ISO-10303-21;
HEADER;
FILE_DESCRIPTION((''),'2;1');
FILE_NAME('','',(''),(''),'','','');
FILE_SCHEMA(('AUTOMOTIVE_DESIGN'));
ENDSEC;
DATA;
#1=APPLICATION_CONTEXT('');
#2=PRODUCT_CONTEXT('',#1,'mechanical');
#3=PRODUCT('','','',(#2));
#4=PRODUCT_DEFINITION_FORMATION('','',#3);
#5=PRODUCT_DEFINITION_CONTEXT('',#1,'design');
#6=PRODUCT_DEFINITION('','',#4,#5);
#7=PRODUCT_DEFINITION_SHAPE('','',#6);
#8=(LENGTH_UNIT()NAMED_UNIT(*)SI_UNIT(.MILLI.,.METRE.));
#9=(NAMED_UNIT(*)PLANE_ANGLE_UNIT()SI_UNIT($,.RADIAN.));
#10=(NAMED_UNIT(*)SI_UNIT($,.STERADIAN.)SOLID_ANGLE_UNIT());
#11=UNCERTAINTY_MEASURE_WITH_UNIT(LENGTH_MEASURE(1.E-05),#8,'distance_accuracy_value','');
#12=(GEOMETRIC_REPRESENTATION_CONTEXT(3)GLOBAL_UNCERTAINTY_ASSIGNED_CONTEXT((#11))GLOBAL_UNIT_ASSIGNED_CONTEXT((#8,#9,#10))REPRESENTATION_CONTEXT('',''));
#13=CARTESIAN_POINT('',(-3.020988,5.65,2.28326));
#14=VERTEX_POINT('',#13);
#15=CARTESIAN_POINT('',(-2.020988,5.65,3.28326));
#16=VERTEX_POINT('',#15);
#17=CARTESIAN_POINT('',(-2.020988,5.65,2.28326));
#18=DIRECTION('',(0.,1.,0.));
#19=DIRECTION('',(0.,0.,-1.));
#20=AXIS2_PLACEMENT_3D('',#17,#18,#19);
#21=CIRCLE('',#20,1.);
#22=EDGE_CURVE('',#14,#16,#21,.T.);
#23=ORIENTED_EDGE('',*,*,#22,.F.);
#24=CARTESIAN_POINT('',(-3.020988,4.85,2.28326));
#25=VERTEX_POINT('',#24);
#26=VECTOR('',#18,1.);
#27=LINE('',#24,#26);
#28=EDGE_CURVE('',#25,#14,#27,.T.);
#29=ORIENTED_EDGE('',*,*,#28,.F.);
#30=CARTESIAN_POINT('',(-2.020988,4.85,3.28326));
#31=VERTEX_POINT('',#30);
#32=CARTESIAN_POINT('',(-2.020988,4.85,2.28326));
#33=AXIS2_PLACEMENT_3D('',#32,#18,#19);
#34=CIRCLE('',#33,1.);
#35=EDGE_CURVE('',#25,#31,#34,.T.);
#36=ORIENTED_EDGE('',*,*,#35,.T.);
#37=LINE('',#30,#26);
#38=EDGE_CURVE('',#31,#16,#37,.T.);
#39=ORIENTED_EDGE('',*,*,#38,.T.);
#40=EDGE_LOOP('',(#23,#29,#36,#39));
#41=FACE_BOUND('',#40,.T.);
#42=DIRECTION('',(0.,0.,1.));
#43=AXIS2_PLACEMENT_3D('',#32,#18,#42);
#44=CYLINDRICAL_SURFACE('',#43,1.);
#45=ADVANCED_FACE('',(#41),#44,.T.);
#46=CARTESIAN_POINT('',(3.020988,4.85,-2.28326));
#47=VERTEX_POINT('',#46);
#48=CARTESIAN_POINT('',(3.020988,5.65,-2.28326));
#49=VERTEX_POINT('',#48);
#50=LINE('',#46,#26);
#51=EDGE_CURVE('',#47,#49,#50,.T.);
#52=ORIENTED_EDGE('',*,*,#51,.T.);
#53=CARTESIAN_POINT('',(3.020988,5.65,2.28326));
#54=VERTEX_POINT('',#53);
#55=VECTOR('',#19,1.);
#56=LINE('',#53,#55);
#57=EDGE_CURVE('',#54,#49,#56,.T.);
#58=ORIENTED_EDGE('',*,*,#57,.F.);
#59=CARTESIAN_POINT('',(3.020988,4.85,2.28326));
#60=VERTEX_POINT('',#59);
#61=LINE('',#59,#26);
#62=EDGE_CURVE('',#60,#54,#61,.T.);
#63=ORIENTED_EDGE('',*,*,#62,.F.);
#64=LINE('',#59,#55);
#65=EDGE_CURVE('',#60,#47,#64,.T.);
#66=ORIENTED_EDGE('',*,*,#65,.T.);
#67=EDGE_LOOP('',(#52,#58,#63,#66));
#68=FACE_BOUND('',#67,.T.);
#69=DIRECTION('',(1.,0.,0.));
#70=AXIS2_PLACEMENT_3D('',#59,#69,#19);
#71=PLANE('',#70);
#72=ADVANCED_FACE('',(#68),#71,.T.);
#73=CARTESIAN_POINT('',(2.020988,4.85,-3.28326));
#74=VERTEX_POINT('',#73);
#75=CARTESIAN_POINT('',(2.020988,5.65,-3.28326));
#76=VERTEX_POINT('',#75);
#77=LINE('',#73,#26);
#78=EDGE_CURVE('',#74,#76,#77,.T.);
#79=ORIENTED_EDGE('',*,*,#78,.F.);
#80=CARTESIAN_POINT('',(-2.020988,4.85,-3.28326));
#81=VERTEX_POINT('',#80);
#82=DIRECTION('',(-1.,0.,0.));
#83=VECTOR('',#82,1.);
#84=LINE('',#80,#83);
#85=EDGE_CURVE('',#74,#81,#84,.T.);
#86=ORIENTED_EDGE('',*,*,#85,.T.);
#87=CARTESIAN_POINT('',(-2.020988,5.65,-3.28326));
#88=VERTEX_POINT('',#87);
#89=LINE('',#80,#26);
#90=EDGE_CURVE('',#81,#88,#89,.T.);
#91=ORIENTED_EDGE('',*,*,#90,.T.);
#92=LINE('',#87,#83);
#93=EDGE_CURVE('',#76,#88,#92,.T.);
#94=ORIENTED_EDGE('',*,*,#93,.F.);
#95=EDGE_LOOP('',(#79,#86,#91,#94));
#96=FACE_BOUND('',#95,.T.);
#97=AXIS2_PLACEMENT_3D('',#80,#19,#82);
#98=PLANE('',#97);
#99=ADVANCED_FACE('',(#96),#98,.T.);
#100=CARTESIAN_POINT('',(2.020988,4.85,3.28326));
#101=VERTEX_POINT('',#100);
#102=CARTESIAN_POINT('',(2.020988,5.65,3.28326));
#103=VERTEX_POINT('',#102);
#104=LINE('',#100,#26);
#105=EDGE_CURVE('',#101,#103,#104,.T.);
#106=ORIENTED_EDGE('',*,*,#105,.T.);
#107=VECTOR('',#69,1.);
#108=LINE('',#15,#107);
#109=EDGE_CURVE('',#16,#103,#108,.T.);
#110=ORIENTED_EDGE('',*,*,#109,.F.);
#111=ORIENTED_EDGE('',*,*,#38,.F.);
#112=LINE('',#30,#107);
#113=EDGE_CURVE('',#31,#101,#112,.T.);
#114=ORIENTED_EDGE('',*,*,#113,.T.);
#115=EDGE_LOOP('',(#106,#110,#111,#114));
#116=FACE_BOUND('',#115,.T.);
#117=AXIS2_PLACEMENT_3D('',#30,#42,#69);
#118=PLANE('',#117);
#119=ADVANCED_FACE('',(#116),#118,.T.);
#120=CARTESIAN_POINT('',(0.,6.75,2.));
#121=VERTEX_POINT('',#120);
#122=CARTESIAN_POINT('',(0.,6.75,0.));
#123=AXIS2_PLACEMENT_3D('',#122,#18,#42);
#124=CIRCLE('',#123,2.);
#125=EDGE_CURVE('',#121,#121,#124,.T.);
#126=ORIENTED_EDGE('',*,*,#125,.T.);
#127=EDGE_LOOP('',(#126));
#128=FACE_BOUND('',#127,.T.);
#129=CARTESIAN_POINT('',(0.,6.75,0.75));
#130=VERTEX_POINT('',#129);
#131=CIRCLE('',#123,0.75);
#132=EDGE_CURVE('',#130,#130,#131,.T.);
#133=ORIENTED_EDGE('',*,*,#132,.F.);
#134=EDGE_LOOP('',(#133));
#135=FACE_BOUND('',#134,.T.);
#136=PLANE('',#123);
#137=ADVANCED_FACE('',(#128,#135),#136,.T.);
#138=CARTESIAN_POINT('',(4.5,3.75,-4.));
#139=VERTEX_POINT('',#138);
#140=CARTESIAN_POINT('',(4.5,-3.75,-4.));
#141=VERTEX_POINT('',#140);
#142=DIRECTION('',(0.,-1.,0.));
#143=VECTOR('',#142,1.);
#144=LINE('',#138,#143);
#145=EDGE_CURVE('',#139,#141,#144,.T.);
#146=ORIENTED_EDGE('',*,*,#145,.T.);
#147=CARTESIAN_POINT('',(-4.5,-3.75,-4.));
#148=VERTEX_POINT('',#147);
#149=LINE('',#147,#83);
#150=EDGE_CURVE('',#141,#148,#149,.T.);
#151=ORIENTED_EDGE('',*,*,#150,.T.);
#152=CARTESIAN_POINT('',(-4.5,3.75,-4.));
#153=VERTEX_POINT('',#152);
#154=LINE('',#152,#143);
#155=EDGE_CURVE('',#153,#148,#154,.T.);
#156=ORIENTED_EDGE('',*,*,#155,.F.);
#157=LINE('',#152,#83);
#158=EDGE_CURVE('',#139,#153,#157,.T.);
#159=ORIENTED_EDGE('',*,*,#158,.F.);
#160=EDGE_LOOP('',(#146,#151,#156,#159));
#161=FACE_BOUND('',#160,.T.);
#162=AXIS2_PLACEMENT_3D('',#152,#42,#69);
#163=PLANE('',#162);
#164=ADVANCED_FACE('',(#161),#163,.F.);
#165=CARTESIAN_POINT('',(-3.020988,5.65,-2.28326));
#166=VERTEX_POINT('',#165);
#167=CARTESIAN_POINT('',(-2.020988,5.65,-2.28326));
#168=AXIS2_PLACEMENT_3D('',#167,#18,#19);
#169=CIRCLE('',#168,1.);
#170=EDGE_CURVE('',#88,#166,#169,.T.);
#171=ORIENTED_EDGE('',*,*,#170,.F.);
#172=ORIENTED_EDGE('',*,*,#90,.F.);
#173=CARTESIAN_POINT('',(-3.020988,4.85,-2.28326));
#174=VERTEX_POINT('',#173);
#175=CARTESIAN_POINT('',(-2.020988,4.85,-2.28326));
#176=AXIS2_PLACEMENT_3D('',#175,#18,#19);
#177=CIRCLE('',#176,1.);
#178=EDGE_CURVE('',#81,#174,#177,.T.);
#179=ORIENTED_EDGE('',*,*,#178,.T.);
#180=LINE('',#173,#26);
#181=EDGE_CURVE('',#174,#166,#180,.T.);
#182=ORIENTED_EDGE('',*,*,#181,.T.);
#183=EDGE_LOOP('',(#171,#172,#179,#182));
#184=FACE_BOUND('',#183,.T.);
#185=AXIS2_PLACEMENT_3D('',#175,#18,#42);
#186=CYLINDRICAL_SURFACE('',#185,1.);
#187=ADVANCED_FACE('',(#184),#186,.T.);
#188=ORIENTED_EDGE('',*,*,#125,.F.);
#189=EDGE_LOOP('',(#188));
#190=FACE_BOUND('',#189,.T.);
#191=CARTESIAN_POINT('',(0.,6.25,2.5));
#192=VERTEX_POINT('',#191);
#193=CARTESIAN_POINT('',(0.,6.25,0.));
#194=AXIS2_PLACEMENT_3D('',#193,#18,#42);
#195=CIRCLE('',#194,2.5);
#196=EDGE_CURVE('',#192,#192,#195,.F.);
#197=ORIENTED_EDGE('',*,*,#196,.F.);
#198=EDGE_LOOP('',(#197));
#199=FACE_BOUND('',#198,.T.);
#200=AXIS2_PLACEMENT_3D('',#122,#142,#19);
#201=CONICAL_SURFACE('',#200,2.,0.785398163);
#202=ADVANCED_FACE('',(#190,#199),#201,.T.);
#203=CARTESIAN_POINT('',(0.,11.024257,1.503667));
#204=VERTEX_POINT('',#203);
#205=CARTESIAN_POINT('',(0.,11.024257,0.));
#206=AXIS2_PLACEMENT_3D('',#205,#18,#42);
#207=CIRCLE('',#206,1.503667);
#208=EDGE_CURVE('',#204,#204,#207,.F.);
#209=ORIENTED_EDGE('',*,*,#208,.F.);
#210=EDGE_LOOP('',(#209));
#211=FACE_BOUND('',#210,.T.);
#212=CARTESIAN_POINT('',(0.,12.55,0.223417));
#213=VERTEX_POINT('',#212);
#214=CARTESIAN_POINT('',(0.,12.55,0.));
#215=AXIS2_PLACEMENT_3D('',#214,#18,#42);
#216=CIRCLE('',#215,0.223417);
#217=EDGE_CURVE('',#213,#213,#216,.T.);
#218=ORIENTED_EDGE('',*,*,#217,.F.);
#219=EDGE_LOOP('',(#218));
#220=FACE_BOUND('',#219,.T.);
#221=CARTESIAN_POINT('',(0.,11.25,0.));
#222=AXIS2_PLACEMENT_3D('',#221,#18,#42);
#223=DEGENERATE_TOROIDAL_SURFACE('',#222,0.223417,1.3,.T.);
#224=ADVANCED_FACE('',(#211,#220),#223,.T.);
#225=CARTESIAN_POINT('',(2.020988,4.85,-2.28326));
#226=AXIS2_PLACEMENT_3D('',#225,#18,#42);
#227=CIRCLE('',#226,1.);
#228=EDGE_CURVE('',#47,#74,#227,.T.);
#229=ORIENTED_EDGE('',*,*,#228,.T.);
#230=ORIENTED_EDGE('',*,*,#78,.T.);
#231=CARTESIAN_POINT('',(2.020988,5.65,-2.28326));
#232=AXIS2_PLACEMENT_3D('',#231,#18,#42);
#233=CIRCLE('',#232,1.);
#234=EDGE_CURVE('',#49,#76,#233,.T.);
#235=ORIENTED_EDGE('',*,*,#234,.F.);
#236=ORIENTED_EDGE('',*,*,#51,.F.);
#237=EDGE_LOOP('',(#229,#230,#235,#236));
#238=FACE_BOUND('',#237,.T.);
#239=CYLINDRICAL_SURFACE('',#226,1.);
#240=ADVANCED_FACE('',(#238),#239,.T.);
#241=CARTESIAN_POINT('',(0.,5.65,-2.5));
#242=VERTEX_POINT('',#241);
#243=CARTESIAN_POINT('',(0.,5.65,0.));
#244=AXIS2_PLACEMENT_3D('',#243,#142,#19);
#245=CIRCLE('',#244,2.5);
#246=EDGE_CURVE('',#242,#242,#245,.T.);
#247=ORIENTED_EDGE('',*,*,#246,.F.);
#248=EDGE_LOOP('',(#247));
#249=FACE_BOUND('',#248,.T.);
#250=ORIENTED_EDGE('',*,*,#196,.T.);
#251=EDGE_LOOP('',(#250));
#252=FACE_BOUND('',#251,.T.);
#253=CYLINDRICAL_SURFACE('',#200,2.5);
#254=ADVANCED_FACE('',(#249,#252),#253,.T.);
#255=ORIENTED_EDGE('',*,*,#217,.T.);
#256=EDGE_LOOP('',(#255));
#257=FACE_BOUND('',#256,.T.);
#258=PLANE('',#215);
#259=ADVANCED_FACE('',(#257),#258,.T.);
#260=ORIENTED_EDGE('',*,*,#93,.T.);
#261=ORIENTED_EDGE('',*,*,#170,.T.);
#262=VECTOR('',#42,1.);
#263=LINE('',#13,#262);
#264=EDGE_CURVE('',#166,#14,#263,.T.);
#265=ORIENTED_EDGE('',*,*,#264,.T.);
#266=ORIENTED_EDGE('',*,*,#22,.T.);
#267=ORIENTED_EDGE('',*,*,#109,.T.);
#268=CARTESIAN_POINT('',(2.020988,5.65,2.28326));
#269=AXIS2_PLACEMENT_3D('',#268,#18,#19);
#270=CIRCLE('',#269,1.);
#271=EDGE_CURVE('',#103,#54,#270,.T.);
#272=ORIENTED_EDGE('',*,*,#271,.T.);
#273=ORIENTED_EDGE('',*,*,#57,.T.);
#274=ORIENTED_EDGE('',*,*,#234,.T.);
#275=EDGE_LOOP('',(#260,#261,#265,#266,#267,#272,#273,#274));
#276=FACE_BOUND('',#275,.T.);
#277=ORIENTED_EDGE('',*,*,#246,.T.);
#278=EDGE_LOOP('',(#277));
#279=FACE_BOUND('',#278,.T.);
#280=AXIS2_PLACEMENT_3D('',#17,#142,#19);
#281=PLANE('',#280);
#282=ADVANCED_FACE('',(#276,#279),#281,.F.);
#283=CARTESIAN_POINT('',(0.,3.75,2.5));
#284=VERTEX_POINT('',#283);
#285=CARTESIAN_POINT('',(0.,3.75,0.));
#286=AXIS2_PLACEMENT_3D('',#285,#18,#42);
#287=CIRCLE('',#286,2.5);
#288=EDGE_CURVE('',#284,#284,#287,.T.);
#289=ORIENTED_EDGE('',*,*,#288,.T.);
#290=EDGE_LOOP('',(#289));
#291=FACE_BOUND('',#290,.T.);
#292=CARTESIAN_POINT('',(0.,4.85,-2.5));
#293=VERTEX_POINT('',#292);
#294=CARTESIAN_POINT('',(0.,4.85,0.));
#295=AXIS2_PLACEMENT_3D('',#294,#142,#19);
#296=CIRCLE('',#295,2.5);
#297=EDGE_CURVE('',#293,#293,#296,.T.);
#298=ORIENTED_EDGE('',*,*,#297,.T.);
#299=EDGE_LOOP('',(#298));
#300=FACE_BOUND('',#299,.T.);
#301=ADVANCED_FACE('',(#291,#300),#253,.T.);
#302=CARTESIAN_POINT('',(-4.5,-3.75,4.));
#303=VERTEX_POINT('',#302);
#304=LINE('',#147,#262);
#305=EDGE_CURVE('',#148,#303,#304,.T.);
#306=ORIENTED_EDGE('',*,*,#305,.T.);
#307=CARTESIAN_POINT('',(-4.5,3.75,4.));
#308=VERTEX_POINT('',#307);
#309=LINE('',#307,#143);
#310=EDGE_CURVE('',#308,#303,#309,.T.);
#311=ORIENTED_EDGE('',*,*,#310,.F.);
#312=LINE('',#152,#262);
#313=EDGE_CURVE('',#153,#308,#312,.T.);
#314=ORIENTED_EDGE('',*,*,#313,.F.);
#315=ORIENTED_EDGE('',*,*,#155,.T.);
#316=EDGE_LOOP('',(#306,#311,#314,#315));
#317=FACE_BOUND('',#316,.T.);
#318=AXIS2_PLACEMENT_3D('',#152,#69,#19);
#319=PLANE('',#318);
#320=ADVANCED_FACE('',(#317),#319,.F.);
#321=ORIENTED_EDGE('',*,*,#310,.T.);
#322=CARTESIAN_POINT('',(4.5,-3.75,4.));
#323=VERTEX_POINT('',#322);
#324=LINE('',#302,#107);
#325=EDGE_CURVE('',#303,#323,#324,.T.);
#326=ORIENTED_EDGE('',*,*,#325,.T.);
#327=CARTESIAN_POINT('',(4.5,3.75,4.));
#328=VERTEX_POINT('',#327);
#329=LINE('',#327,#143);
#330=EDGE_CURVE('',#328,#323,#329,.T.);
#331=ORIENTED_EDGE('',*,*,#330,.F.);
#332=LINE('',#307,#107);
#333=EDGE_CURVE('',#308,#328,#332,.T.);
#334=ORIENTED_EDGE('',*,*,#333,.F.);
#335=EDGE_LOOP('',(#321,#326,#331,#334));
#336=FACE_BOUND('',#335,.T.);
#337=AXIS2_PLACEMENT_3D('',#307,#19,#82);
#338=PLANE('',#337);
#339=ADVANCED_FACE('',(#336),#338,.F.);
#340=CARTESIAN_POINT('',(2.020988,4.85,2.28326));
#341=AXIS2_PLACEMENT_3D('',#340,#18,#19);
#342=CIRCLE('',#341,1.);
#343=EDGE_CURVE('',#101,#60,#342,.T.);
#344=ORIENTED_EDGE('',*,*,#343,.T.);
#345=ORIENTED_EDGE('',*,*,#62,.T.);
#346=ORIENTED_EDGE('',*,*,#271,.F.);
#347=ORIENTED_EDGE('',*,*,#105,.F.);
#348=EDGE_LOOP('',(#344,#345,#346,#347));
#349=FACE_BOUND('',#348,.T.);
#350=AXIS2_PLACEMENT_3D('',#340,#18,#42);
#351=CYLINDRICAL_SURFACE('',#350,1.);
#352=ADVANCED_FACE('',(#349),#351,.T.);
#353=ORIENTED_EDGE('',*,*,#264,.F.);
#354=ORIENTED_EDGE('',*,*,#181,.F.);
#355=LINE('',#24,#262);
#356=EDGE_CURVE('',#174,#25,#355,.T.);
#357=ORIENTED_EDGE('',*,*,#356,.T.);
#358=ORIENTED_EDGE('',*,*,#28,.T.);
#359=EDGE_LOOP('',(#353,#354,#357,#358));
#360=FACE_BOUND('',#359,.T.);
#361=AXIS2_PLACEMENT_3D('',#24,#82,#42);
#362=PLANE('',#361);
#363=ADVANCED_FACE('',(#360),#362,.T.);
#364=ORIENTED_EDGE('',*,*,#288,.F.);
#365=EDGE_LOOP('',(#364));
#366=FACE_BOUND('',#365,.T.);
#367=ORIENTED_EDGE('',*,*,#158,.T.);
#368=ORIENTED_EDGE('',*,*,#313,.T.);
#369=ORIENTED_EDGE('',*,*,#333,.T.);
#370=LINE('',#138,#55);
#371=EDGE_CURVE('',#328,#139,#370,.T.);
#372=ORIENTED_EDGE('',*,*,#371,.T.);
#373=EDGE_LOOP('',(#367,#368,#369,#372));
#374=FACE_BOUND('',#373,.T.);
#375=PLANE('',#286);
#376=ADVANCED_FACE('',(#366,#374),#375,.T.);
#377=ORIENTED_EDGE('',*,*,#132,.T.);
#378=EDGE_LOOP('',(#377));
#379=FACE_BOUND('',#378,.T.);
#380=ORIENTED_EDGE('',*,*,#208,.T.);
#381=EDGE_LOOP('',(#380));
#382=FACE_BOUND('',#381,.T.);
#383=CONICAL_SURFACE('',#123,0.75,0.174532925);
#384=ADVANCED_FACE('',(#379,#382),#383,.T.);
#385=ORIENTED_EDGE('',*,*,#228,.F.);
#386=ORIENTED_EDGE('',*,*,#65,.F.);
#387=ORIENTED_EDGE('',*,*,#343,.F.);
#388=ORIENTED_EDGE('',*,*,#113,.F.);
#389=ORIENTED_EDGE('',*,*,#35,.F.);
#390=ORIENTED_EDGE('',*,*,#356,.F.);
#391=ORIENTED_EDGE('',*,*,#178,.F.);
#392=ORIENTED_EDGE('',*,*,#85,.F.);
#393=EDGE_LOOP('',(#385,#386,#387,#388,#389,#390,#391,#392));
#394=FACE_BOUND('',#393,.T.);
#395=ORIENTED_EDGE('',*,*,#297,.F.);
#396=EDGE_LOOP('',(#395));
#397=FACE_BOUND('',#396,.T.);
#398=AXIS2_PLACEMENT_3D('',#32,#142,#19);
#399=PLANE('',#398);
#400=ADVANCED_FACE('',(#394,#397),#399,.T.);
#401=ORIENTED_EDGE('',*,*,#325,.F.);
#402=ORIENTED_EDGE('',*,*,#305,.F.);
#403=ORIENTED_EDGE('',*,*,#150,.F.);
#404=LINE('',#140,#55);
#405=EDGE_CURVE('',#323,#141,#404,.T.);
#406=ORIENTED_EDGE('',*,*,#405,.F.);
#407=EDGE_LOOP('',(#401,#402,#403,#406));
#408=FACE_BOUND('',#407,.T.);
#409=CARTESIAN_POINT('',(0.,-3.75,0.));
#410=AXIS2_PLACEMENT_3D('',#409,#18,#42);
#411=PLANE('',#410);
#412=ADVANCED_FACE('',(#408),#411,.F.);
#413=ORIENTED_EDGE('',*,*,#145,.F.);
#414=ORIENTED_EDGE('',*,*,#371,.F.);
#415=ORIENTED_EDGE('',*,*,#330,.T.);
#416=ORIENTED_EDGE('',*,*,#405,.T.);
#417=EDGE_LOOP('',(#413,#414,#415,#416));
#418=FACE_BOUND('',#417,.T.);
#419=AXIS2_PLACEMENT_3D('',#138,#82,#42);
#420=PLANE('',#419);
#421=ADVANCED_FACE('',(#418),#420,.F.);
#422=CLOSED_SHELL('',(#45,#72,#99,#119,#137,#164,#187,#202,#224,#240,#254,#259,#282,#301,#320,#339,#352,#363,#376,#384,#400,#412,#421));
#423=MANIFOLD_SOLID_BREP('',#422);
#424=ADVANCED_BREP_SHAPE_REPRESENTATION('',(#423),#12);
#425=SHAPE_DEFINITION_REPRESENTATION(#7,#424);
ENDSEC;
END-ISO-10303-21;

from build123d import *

# Parameters (mm, degrees)
SKETCH_1_W      = 9
SKETCH_1_H      = 8
EXTRUDE_1_DEPTH = 3.75
SKETCH_2_R      = 2.5
EXTRUDE_2_DEPTH = 3
CHAMFER_1_SIZE  = 0.5
EXTRUDE_3_DEPTH = 0.8
SKETCH_4_R      = 0.75
EXTRUDE_4_DEPTH = 5.8
EXTRUDE_4_DRAFT = -10
FILLET_1_R      = 1.3


with BuildPart() as part:
    # Эскиз1 → Бобышка-Вытянуть1 (new, symmetric)
    with BuildSketch(Plane(origin=(0, 0, 0), x_dir=(1, 0, 0), z_dir=(0, 1, 0))):
        Rectangle(SKETCH_1_W, SKETCH_1_H)
    extrude(amount=EXTRUDE_1_DEPTH, both=True)

    # Эскиз2 → Бобышка-Вытянуть2 (add)
    with BuildSketch(Plane(origin=(0, 3.75, 0), x_dir=(1, 0, 0), z_dir=(0, 1, 0))):
        with Locations(Location((0, 0, 0), (0, 0, 270))):
            Circle(SKETCH_2_R)
    extrude(amount=EXTRUDE_2_DEPTH)

    # Фаска1
    chamfer_1_edges = [part.edges().sort_by_distance(p)[0] for p in [
        (0, 6.75, -2.5),
    ]]
    chamfer(chamfer_1_edges, length=CHAMFER_1_SIZE)

    # Эскиз3 → Бобышка-Вытянуть3 (add)
    with BuildSketch(Plane(origin=(0, 5.65, 0), x_dir=(1, 0, 0), z_dir=(0, 1, 0))):
        with BuildLine():
            Line((-2.020987717, -3.283260181), (2.020987717, -3.283260181))
            ThreePointArc((2.020987717, -3.283260181), (2.728094498, -2.990366962), (3.020987717, -2.283260181))
            Line((3.020987717, -2.283260181), (3.020987717, 2.283260181))
            ThreePointArc((3.020987717, 2.283260181), (2.728094498, 2.990366962), (2.020987717, 3.283260181))
            Line((2.020987717, 3.283260181), (-2.020987717, 3.283260181))
            ThreePointArc((-2.020987717, 3.283260181), (-2.728094498, 2.990366962), (-3.020987717, 2.283260181))
            Line((-3.020987717, 2.283260181), (-3.020987717, -2.283260181))
            ThreePointArc((-3.020987717, -2.283260181), (-2.728094498, -2.990366962), (-2.020987717, -3.283260181))
        make_face()
    extrude(amount=-EXTRUDE_3_DEPTH)


with BuildPart() as extrude_4_tool:
    # Эскиз4 → Бобышка-Вытянуть4 (with draft: the straight prism first)
    with BuildSketch(Plane(origin=(0, 6.75, 0), x_dir=(1, 0, 0), z_dir=(0, 1, 0))):
        Circle(SKETCH_4_R)
    extrude(amount=EXTRUDE_4_DEPTH)
    # Бобышка-Вытянуть4: the draft: its side faces are tilted about the plane it starts from
    extrude_4_sides = [extrude_4_tool.faces().sort_by_distance(p)[0] for p in [
        (-0.75, 9.65, 0),
    ]]
    draft(extrude_4_sides, Plane(origin=(0, 6.75, 0), x_dir=(1, 0, 0), z_dir=(0, 1, 0)), EXTRUDE_4_DRAFT)


with BuildPart() as part_1:
    add(part.part)

    # Бобышка-Вытянуть4: add extrude_4_tool
    add(extrude_4_tool.part)

    # Скругление1
    fillet_1_edges = [part_1.edges().sort_by_distance(p)[0] for p in [
        (-1.772696488, 12.55, 0),
    ]]
    fillet(fillet_1_edges, radius=FILLET_1_R)


solid = part_1.part
